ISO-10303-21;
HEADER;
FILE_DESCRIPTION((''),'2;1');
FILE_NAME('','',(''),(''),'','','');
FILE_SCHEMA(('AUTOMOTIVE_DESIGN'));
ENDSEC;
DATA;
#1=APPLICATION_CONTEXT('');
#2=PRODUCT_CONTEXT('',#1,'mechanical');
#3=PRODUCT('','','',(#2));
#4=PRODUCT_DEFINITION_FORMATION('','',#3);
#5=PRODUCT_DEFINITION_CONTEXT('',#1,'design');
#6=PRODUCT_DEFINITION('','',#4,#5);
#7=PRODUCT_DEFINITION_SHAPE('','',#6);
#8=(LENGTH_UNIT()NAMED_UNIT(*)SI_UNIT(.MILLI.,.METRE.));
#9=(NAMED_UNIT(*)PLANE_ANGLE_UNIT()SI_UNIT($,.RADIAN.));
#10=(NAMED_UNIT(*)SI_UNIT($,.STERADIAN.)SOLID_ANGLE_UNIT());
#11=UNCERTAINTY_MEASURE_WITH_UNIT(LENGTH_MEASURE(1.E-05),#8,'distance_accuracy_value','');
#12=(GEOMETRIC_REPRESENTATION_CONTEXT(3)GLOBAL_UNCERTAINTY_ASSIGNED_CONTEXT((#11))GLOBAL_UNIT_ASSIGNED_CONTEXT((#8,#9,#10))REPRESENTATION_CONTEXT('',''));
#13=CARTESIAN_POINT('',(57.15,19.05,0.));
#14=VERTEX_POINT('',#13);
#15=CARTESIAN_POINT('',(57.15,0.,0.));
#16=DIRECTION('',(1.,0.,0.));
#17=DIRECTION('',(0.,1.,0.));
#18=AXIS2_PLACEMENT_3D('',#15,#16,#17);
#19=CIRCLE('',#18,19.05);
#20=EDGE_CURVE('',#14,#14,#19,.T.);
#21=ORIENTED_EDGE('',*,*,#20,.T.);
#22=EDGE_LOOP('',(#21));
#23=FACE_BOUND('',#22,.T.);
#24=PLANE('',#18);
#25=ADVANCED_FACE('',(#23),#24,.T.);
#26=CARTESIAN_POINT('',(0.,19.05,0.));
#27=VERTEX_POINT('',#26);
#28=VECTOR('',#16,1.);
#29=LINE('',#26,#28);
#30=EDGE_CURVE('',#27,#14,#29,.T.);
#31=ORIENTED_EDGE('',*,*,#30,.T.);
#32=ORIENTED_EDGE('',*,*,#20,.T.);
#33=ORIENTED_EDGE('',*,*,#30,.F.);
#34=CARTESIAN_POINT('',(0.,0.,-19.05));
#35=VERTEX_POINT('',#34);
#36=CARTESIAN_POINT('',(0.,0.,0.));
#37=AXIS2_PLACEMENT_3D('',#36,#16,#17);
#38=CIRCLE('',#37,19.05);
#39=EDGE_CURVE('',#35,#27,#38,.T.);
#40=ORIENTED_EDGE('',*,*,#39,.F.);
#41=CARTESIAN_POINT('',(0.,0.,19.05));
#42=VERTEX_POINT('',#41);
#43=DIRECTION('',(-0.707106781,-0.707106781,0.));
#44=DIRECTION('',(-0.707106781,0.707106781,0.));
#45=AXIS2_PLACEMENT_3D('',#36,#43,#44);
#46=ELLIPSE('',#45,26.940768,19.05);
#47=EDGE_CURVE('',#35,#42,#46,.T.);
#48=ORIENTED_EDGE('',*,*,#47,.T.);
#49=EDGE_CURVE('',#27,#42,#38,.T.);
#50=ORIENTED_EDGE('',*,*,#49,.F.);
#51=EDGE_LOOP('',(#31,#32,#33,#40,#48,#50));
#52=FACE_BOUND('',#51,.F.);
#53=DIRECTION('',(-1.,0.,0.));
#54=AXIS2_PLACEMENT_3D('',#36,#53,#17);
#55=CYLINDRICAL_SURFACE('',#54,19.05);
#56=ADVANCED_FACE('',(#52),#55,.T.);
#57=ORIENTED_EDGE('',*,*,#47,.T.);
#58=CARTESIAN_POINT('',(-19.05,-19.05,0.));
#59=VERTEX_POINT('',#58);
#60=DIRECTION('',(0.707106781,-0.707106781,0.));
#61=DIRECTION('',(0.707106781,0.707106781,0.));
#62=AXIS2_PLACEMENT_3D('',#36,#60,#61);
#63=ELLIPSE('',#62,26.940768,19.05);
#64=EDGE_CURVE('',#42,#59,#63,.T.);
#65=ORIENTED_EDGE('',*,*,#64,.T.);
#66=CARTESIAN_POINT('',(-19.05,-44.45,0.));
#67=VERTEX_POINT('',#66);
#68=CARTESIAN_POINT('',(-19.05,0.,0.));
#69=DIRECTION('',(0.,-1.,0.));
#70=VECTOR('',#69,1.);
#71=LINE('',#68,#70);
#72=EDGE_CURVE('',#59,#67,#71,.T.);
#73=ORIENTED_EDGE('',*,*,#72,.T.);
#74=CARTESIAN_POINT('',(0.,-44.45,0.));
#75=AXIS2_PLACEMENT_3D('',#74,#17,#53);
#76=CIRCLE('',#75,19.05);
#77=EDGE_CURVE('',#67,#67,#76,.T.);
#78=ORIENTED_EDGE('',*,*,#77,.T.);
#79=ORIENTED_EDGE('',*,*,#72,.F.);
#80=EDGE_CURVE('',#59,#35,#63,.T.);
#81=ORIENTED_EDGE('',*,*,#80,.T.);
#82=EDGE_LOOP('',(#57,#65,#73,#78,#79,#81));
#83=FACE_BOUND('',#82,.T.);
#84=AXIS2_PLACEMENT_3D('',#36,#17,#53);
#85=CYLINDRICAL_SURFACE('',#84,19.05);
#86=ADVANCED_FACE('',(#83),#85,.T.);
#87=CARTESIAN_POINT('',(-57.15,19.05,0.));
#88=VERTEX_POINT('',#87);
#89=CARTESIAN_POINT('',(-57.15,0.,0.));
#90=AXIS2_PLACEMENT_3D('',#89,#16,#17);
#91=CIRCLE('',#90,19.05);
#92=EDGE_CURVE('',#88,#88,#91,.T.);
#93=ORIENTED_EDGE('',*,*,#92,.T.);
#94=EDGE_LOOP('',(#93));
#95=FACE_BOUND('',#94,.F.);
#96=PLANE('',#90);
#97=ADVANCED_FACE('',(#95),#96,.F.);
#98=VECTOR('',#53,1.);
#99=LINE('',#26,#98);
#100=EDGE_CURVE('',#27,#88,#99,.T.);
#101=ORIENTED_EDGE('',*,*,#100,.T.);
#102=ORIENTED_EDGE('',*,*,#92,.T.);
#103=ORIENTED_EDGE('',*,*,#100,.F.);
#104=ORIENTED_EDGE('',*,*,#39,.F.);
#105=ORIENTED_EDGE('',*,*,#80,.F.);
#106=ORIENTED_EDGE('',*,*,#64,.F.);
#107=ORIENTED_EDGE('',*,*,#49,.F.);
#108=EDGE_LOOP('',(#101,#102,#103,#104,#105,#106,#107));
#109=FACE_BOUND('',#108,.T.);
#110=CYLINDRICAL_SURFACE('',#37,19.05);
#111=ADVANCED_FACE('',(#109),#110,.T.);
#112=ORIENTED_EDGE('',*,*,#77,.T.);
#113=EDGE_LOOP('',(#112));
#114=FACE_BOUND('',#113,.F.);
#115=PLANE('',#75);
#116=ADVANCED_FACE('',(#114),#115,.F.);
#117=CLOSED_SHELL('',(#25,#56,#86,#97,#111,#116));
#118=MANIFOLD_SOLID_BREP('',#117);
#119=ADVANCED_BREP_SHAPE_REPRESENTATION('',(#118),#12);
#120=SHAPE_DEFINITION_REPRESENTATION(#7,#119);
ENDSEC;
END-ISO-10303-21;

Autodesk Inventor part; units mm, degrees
ref_plane "YZ Plane" through (0, 0, 0) normal (1, 0, 0) x (0, 1, 0)
ref_plane "XZ Plane" through (0, 0, 0) normal (0, 1, 0) x (-1, 0, 0)
ref_plane "XY Plane" through (0, 0, 0) normal (0, 0, 1) x (1, 0, 0)
sketch "Sketch1" plane through (0, 0, 0) normal (1, 0, 0) x (0, 1, 0)
  circle A0 centre (0, 0) radius 19.05
  dimension "d0" = 38.1
extrude "Extrusion1" add sketch "Sketch1" along normal mid plane 114.3
sketch "Sketch2" plane through (0, 0, 0) normal (0, 1, 0) x (-1, 0, 0)
  circle A0 centre (0, 0) radius 19.05
  line L0 (57.15, -19.05) -> (57.15, 19.05) projected
  line L1 (57.15, 19.05) -> (0, 19.05) construction
extrude "Extrusion2" add sketch "Sketch2" against normal blind 44.45
properties part number "bicon_center_nate"
